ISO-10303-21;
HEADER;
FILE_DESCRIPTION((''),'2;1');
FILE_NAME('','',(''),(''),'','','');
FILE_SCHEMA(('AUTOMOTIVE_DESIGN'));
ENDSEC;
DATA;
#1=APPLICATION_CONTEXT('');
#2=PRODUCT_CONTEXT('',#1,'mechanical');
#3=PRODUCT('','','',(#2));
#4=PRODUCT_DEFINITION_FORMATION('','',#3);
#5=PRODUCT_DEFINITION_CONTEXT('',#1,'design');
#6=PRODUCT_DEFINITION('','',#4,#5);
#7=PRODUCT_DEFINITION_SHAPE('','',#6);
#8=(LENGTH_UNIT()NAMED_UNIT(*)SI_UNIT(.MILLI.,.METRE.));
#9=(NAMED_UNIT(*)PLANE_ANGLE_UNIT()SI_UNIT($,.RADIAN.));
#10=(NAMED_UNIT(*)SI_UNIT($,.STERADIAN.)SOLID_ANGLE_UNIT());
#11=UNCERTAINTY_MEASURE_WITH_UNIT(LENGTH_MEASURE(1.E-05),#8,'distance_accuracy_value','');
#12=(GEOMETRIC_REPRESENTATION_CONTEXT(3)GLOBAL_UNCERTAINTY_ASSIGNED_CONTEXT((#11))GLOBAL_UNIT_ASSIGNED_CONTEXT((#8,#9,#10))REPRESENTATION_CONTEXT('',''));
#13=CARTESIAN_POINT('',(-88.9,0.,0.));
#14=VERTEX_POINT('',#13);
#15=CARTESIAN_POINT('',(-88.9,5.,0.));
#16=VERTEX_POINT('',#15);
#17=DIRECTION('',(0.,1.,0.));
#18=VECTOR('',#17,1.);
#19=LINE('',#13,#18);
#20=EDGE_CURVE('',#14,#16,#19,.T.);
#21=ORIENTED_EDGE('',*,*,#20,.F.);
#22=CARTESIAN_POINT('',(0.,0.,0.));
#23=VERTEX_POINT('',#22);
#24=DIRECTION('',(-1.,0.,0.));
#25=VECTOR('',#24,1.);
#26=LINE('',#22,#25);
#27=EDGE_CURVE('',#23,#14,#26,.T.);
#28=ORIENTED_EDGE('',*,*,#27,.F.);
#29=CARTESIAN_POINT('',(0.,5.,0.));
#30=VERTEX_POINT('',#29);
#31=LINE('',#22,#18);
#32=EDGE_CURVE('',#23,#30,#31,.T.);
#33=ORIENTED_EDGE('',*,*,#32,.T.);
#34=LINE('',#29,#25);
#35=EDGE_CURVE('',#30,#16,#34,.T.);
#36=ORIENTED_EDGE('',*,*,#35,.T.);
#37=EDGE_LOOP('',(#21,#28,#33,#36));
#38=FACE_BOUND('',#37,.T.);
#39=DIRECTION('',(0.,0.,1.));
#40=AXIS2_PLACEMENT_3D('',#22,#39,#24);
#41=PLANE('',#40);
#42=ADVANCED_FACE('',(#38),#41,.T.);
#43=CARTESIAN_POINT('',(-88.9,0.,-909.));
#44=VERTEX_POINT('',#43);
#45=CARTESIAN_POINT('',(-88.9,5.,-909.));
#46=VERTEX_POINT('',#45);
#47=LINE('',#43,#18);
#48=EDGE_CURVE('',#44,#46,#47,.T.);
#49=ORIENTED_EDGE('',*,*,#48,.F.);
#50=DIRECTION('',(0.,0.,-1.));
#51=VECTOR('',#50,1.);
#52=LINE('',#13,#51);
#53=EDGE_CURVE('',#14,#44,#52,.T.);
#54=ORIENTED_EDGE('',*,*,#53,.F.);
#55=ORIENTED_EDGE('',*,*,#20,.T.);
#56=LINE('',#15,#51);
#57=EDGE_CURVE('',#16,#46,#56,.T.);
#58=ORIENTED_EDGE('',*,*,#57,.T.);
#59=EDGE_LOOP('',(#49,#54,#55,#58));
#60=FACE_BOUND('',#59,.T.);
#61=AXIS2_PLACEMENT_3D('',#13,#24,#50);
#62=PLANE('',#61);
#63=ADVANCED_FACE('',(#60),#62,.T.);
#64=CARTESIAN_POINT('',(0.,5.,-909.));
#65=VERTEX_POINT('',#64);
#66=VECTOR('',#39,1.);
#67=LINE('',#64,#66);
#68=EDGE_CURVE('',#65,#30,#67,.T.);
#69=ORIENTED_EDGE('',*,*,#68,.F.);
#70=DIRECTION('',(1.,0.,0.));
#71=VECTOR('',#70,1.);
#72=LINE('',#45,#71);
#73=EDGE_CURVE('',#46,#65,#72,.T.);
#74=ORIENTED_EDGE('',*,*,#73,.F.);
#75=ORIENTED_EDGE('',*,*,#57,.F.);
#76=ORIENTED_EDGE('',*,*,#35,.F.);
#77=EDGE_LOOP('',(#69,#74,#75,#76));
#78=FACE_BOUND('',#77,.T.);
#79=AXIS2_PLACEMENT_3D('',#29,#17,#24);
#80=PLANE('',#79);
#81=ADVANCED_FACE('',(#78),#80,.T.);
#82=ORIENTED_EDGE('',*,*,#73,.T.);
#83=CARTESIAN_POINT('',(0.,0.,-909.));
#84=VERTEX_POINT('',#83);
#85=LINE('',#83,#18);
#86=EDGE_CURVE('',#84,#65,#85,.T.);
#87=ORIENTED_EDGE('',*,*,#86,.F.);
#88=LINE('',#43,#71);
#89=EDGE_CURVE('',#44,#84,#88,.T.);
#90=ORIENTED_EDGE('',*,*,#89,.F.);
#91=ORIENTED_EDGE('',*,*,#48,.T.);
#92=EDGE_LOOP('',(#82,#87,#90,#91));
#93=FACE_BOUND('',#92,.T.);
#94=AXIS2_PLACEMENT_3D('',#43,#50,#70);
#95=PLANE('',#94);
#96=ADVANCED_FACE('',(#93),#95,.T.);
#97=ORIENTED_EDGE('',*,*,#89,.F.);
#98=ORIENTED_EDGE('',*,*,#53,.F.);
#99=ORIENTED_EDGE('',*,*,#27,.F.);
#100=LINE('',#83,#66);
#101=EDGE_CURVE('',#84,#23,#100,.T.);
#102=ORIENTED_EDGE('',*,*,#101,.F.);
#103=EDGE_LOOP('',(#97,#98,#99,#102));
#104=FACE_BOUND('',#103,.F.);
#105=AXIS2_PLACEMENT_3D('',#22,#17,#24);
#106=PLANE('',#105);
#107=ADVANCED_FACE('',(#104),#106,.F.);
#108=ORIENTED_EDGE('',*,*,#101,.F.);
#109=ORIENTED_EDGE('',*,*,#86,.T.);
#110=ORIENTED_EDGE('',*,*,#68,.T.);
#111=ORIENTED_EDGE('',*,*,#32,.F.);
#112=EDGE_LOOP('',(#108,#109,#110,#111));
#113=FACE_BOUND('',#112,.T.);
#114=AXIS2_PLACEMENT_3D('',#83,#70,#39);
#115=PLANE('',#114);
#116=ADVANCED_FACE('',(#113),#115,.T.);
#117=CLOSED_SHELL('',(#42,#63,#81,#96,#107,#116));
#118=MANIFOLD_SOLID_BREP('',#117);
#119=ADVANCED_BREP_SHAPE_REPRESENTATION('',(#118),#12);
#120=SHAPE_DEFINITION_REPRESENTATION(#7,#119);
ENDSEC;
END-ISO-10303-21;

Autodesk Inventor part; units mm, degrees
ref_plane "YZ Plane" through (0, 0, 0) normal (1, 0, 0) x (0, 1, 0)
ref_plane "XZ Plane" through (0, 0, 0) normal (0, 1, 0) x (-1, 0, 0)
ref_plane "XY Plane" through (0, 0, 0) normal (0, 0, 1) x (1, 0, 0)
sketch "Boceto1" plane through (0, 0, 0) normal (0, 1, 0) x (-1, 0, 0)
  line L0 (0, 0) -> (88.9, 0)
  line L1 (88.9, 0) -> (88.9, -909)
  line L2 (88.9, -909) -> (0, -909)
  line L3 (0, -909) -> (0, 0)
  dimension "d0" = 88.9
  dimension "d1" = 909
extrude "Extrusión1" add sketch "Boceto1" along normal blind 5
properties part number "CAR INTERNAL PLATE"
